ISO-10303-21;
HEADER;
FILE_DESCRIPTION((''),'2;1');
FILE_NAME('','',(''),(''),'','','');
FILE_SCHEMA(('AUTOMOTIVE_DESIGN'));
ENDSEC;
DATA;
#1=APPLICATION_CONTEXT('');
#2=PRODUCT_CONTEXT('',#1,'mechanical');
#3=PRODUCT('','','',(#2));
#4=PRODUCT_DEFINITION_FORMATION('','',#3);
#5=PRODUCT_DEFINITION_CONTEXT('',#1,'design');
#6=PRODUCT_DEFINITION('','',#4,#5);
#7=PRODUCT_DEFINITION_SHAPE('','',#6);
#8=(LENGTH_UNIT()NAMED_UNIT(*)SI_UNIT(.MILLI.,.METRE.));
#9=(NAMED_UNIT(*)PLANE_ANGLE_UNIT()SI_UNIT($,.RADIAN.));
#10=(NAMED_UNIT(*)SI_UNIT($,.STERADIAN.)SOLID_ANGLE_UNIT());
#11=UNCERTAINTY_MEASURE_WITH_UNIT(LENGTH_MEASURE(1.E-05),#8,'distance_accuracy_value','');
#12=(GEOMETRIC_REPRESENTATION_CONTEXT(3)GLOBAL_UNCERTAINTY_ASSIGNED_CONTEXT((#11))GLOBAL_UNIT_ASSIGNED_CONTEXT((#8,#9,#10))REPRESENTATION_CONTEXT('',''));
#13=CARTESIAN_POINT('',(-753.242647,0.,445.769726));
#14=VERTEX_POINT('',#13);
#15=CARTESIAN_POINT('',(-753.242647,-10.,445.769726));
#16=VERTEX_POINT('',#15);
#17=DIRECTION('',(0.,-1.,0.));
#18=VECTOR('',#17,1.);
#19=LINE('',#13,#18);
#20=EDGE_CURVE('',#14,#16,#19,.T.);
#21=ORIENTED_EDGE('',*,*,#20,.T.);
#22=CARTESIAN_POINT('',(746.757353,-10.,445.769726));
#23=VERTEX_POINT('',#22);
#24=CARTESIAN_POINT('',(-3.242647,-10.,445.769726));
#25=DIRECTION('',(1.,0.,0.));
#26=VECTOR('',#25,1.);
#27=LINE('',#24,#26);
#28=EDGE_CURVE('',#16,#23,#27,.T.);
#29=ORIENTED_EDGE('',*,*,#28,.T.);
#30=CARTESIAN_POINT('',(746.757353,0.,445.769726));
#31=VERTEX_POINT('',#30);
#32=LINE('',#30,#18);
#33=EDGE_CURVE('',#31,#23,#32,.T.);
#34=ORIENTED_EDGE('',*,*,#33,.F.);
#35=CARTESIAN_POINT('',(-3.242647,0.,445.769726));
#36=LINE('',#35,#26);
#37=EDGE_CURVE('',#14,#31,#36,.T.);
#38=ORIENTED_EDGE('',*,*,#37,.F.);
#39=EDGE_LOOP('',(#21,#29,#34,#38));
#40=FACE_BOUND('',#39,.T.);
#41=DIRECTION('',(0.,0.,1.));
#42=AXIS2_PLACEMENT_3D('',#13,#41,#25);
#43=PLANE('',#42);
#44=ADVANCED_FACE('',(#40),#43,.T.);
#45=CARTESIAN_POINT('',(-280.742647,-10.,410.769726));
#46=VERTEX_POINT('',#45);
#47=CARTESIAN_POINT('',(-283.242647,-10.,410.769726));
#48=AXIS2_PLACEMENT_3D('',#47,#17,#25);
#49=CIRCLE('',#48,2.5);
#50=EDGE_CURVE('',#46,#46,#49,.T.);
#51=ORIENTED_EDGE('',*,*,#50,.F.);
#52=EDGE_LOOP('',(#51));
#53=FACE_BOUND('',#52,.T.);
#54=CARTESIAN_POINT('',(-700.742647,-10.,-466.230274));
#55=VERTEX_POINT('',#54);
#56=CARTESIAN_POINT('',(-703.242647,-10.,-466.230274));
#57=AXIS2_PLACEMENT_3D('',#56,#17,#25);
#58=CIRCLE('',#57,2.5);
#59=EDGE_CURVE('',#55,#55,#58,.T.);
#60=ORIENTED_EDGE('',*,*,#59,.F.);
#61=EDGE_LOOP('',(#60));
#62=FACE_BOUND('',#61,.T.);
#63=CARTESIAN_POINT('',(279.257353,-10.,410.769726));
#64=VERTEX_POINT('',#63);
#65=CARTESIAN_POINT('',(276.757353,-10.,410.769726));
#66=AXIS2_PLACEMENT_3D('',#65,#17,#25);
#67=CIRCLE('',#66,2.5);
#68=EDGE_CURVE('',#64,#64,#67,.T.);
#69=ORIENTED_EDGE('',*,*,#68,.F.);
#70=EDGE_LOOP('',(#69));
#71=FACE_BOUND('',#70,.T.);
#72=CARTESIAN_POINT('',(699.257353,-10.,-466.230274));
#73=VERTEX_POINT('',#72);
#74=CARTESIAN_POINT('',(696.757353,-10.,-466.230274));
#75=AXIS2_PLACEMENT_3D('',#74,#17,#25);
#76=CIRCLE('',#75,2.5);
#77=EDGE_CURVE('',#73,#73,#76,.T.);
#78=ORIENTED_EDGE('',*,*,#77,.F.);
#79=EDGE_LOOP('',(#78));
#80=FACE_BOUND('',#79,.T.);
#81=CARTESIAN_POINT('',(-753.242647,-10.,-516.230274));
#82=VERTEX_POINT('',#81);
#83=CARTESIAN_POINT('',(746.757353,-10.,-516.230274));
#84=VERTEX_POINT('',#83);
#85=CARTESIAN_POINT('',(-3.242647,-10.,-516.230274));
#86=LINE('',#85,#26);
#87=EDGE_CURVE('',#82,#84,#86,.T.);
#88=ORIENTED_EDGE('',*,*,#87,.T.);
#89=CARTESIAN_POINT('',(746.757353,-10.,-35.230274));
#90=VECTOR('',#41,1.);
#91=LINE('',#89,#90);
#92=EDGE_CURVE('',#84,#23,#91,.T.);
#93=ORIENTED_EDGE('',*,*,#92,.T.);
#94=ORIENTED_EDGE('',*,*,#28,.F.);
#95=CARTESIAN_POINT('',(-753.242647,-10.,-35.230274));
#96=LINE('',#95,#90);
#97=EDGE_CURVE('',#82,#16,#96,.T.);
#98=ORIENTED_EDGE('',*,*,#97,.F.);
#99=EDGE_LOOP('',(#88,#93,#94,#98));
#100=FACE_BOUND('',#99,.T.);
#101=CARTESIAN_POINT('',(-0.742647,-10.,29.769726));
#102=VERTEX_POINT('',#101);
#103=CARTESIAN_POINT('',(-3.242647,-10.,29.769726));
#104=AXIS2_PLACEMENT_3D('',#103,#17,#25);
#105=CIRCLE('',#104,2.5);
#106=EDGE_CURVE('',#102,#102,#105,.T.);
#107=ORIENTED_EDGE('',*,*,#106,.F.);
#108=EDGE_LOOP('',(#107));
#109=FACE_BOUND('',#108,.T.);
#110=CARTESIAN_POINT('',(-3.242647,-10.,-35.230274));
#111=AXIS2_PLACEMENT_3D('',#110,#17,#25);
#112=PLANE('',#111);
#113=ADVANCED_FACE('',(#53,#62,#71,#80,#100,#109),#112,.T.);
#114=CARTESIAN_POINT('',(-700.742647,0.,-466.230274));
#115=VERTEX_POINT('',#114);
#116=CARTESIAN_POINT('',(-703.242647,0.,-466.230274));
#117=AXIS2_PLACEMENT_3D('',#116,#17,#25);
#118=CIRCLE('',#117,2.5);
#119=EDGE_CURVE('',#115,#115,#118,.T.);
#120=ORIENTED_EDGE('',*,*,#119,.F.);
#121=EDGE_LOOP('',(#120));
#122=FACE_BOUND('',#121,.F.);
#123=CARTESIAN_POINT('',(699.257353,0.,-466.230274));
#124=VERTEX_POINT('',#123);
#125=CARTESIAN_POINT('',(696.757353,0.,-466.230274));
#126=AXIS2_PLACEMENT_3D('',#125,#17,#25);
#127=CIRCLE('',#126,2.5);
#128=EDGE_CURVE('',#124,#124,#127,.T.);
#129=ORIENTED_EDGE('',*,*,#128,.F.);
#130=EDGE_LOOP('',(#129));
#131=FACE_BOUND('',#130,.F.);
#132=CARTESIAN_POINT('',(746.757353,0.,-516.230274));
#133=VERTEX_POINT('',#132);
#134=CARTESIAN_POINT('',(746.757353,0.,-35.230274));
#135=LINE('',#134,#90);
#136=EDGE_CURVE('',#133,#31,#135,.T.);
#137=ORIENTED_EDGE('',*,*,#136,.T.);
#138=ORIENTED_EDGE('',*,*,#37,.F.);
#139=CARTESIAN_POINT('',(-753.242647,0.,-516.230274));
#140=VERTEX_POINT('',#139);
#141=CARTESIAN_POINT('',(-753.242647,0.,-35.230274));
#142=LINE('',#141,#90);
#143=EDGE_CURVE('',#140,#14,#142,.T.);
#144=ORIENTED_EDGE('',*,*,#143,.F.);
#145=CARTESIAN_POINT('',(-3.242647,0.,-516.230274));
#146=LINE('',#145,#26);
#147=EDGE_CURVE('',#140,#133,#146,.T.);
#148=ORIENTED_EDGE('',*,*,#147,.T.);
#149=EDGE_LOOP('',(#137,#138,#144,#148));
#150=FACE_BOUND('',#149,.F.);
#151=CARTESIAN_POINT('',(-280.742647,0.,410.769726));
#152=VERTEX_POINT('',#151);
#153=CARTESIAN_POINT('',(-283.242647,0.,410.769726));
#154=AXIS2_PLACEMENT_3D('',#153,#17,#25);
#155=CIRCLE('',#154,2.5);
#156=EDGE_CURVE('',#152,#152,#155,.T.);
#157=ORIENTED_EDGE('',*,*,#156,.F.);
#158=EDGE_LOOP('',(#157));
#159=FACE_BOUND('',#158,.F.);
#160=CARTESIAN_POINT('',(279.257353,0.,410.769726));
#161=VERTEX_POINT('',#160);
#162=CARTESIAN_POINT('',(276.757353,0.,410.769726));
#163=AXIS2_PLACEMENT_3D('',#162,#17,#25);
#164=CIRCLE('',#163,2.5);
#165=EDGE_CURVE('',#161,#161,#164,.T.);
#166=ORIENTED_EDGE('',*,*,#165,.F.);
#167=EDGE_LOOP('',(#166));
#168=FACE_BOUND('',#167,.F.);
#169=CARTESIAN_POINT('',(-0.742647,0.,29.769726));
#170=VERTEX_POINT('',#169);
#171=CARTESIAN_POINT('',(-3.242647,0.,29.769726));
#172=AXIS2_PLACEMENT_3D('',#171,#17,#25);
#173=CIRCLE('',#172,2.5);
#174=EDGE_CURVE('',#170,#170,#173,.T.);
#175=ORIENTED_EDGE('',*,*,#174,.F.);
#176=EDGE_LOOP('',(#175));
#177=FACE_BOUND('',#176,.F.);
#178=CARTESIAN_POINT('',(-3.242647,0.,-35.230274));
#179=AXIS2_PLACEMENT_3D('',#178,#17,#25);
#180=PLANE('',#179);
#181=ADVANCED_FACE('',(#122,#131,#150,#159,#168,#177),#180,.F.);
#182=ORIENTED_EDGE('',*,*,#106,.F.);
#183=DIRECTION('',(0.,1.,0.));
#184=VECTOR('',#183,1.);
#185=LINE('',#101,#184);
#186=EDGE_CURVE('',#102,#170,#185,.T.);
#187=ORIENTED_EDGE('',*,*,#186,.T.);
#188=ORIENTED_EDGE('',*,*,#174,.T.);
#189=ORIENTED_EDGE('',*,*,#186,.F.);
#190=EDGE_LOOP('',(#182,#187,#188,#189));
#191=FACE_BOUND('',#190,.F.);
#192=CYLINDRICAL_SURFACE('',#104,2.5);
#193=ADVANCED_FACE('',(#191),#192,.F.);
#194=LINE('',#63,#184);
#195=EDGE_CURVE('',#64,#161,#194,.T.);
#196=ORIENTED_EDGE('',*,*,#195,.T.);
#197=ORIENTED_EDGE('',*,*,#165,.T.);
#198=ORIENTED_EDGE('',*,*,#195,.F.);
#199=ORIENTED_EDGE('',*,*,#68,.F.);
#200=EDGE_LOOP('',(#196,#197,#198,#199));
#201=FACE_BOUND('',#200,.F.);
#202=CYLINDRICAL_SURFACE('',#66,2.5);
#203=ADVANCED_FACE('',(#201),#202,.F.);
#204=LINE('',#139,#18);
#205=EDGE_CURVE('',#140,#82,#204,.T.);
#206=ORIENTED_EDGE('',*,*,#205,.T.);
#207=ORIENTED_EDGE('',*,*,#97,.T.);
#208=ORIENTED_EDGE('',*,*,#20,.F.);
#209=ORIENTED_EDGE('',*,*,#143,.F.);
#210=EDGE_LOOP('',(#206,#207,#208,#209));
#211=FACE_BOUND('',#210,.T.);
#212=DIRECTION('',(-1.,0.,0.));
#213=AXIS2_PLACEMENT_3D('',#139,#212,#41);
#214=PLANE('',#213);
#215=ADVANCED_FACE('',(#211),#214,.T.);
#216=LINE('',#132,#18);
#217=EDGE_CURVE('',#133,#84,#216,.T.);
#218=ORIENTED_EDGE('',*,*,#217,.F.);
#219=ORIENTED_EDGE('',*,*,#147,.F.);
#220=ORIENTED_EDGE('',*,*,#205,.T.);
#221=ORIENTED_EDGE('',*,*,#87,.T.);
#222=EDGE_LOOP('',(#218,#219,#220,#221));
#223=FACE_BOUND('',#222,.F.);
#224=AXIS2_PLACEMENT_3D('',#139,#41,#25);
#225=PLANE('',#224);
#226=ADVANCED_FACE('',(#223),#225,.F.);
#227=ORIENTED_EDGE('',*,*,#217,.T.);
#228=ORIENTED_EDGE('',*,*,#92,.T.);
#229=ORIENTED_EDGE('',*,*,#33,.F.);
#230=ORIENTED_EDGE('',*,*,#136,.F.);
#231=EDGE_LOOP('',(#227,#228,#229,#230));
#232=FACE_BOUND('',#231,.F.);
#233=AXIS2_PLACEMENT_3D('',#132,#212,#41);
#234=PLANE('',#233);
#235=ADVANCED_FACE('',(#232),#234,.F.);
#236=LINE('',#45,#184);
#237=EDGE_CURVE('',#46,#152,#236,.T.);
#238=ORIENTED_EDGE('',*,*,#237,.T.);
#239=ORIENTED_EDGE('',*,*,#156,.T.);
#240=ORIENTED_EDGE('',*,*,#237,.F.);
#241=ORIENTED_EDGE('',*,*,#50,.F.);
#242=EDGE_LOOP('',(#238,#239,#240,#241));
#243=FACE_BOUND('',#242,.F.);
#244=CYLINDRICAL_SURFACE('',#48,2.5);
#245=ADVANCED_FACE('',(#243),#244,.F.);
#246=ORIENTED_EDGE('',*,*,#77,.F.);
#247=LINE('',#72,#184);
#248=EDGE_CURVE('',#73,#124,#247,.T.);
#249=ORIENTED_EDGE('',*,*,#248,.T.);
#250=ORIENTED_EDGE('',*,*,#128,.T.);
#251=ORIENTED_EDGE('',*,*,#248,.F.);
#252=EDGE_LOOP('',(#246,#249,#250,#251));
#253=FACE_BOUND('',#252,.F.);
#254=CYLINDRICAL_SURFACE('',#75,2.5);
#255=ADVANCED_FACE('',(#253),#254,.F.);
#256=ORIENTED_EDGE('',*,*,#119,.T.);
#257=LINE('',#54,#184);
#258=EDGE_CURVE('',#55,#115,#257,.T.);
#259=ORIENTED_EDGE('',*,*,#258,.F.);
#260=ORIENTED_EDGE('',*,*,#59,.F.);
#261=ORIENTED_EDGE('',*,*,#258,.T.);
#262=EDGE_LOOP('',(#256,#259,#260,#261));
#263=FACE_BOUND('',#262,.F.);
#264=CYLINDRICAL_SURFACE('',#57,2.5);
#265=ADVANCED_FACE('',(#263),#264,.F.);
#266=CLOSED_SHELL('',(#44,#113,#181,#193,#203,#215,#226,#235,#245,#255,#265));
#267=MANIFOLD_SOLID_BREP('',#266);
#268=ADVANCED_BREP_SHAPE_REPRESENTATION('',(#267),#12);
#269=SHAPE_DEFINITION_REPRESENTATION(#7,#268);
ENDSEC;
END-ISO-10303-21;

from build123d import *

# Parameters (mm, degrees)
F0_W     = 1500
F0_H     = 962
F1_DEPTH = 10
F2_R     = 2.5
F3_DEPTH = 10.001
F4_R     = 2.5
F5_DEPTH = 10.001
F6_R     = 2.5
F7_DEPTH = 10.001


with BuildPart() as f1:
    # F0 (on Front) → F1 (new body)
    with BuildSketch(Plane.XZ):
        with Locations((-3.242647, -35.230274)):
            Rectangle(F0_W, F0_H)
    extrude(amount=F1_DEPTH)

    # F2 (on face) → F3 (cut, through all)
    with BuildSketch(Plane.XZ.offset(10)):
        with Locations((-703.242647, -466.230274)):
            Circle(F2_R)
        with Locations((696.757353, -466.230274)):
            Circle(F2_R)
    extrude(amount=-F3_DEPTH, mode=Mode.SUBTRACT)

    # F4 (on face) → F5 (cut, through all)
    with BuildSketch(Plane.XZ.offset(10)):
        with Locations((-283.242647, 410.769726)):
            Circle(F4_R)
        with Locations((276.757353, 410.769726)):
            Circle(F4_R)
    extrude(amount=-F5_DEPTH, mode=Mode.SUBTRACT)

    # F6 (on face) → F7 (cut, through all)
    with BuildSketch(Plane.XZ.offset(10)):
        with Locations((-3.242647, 29.769726)):
            Circle(F6_R)
    extrude(amount=-F7_DEPTH, mode=Mode.SUBTRACT)


solid = f1.part
